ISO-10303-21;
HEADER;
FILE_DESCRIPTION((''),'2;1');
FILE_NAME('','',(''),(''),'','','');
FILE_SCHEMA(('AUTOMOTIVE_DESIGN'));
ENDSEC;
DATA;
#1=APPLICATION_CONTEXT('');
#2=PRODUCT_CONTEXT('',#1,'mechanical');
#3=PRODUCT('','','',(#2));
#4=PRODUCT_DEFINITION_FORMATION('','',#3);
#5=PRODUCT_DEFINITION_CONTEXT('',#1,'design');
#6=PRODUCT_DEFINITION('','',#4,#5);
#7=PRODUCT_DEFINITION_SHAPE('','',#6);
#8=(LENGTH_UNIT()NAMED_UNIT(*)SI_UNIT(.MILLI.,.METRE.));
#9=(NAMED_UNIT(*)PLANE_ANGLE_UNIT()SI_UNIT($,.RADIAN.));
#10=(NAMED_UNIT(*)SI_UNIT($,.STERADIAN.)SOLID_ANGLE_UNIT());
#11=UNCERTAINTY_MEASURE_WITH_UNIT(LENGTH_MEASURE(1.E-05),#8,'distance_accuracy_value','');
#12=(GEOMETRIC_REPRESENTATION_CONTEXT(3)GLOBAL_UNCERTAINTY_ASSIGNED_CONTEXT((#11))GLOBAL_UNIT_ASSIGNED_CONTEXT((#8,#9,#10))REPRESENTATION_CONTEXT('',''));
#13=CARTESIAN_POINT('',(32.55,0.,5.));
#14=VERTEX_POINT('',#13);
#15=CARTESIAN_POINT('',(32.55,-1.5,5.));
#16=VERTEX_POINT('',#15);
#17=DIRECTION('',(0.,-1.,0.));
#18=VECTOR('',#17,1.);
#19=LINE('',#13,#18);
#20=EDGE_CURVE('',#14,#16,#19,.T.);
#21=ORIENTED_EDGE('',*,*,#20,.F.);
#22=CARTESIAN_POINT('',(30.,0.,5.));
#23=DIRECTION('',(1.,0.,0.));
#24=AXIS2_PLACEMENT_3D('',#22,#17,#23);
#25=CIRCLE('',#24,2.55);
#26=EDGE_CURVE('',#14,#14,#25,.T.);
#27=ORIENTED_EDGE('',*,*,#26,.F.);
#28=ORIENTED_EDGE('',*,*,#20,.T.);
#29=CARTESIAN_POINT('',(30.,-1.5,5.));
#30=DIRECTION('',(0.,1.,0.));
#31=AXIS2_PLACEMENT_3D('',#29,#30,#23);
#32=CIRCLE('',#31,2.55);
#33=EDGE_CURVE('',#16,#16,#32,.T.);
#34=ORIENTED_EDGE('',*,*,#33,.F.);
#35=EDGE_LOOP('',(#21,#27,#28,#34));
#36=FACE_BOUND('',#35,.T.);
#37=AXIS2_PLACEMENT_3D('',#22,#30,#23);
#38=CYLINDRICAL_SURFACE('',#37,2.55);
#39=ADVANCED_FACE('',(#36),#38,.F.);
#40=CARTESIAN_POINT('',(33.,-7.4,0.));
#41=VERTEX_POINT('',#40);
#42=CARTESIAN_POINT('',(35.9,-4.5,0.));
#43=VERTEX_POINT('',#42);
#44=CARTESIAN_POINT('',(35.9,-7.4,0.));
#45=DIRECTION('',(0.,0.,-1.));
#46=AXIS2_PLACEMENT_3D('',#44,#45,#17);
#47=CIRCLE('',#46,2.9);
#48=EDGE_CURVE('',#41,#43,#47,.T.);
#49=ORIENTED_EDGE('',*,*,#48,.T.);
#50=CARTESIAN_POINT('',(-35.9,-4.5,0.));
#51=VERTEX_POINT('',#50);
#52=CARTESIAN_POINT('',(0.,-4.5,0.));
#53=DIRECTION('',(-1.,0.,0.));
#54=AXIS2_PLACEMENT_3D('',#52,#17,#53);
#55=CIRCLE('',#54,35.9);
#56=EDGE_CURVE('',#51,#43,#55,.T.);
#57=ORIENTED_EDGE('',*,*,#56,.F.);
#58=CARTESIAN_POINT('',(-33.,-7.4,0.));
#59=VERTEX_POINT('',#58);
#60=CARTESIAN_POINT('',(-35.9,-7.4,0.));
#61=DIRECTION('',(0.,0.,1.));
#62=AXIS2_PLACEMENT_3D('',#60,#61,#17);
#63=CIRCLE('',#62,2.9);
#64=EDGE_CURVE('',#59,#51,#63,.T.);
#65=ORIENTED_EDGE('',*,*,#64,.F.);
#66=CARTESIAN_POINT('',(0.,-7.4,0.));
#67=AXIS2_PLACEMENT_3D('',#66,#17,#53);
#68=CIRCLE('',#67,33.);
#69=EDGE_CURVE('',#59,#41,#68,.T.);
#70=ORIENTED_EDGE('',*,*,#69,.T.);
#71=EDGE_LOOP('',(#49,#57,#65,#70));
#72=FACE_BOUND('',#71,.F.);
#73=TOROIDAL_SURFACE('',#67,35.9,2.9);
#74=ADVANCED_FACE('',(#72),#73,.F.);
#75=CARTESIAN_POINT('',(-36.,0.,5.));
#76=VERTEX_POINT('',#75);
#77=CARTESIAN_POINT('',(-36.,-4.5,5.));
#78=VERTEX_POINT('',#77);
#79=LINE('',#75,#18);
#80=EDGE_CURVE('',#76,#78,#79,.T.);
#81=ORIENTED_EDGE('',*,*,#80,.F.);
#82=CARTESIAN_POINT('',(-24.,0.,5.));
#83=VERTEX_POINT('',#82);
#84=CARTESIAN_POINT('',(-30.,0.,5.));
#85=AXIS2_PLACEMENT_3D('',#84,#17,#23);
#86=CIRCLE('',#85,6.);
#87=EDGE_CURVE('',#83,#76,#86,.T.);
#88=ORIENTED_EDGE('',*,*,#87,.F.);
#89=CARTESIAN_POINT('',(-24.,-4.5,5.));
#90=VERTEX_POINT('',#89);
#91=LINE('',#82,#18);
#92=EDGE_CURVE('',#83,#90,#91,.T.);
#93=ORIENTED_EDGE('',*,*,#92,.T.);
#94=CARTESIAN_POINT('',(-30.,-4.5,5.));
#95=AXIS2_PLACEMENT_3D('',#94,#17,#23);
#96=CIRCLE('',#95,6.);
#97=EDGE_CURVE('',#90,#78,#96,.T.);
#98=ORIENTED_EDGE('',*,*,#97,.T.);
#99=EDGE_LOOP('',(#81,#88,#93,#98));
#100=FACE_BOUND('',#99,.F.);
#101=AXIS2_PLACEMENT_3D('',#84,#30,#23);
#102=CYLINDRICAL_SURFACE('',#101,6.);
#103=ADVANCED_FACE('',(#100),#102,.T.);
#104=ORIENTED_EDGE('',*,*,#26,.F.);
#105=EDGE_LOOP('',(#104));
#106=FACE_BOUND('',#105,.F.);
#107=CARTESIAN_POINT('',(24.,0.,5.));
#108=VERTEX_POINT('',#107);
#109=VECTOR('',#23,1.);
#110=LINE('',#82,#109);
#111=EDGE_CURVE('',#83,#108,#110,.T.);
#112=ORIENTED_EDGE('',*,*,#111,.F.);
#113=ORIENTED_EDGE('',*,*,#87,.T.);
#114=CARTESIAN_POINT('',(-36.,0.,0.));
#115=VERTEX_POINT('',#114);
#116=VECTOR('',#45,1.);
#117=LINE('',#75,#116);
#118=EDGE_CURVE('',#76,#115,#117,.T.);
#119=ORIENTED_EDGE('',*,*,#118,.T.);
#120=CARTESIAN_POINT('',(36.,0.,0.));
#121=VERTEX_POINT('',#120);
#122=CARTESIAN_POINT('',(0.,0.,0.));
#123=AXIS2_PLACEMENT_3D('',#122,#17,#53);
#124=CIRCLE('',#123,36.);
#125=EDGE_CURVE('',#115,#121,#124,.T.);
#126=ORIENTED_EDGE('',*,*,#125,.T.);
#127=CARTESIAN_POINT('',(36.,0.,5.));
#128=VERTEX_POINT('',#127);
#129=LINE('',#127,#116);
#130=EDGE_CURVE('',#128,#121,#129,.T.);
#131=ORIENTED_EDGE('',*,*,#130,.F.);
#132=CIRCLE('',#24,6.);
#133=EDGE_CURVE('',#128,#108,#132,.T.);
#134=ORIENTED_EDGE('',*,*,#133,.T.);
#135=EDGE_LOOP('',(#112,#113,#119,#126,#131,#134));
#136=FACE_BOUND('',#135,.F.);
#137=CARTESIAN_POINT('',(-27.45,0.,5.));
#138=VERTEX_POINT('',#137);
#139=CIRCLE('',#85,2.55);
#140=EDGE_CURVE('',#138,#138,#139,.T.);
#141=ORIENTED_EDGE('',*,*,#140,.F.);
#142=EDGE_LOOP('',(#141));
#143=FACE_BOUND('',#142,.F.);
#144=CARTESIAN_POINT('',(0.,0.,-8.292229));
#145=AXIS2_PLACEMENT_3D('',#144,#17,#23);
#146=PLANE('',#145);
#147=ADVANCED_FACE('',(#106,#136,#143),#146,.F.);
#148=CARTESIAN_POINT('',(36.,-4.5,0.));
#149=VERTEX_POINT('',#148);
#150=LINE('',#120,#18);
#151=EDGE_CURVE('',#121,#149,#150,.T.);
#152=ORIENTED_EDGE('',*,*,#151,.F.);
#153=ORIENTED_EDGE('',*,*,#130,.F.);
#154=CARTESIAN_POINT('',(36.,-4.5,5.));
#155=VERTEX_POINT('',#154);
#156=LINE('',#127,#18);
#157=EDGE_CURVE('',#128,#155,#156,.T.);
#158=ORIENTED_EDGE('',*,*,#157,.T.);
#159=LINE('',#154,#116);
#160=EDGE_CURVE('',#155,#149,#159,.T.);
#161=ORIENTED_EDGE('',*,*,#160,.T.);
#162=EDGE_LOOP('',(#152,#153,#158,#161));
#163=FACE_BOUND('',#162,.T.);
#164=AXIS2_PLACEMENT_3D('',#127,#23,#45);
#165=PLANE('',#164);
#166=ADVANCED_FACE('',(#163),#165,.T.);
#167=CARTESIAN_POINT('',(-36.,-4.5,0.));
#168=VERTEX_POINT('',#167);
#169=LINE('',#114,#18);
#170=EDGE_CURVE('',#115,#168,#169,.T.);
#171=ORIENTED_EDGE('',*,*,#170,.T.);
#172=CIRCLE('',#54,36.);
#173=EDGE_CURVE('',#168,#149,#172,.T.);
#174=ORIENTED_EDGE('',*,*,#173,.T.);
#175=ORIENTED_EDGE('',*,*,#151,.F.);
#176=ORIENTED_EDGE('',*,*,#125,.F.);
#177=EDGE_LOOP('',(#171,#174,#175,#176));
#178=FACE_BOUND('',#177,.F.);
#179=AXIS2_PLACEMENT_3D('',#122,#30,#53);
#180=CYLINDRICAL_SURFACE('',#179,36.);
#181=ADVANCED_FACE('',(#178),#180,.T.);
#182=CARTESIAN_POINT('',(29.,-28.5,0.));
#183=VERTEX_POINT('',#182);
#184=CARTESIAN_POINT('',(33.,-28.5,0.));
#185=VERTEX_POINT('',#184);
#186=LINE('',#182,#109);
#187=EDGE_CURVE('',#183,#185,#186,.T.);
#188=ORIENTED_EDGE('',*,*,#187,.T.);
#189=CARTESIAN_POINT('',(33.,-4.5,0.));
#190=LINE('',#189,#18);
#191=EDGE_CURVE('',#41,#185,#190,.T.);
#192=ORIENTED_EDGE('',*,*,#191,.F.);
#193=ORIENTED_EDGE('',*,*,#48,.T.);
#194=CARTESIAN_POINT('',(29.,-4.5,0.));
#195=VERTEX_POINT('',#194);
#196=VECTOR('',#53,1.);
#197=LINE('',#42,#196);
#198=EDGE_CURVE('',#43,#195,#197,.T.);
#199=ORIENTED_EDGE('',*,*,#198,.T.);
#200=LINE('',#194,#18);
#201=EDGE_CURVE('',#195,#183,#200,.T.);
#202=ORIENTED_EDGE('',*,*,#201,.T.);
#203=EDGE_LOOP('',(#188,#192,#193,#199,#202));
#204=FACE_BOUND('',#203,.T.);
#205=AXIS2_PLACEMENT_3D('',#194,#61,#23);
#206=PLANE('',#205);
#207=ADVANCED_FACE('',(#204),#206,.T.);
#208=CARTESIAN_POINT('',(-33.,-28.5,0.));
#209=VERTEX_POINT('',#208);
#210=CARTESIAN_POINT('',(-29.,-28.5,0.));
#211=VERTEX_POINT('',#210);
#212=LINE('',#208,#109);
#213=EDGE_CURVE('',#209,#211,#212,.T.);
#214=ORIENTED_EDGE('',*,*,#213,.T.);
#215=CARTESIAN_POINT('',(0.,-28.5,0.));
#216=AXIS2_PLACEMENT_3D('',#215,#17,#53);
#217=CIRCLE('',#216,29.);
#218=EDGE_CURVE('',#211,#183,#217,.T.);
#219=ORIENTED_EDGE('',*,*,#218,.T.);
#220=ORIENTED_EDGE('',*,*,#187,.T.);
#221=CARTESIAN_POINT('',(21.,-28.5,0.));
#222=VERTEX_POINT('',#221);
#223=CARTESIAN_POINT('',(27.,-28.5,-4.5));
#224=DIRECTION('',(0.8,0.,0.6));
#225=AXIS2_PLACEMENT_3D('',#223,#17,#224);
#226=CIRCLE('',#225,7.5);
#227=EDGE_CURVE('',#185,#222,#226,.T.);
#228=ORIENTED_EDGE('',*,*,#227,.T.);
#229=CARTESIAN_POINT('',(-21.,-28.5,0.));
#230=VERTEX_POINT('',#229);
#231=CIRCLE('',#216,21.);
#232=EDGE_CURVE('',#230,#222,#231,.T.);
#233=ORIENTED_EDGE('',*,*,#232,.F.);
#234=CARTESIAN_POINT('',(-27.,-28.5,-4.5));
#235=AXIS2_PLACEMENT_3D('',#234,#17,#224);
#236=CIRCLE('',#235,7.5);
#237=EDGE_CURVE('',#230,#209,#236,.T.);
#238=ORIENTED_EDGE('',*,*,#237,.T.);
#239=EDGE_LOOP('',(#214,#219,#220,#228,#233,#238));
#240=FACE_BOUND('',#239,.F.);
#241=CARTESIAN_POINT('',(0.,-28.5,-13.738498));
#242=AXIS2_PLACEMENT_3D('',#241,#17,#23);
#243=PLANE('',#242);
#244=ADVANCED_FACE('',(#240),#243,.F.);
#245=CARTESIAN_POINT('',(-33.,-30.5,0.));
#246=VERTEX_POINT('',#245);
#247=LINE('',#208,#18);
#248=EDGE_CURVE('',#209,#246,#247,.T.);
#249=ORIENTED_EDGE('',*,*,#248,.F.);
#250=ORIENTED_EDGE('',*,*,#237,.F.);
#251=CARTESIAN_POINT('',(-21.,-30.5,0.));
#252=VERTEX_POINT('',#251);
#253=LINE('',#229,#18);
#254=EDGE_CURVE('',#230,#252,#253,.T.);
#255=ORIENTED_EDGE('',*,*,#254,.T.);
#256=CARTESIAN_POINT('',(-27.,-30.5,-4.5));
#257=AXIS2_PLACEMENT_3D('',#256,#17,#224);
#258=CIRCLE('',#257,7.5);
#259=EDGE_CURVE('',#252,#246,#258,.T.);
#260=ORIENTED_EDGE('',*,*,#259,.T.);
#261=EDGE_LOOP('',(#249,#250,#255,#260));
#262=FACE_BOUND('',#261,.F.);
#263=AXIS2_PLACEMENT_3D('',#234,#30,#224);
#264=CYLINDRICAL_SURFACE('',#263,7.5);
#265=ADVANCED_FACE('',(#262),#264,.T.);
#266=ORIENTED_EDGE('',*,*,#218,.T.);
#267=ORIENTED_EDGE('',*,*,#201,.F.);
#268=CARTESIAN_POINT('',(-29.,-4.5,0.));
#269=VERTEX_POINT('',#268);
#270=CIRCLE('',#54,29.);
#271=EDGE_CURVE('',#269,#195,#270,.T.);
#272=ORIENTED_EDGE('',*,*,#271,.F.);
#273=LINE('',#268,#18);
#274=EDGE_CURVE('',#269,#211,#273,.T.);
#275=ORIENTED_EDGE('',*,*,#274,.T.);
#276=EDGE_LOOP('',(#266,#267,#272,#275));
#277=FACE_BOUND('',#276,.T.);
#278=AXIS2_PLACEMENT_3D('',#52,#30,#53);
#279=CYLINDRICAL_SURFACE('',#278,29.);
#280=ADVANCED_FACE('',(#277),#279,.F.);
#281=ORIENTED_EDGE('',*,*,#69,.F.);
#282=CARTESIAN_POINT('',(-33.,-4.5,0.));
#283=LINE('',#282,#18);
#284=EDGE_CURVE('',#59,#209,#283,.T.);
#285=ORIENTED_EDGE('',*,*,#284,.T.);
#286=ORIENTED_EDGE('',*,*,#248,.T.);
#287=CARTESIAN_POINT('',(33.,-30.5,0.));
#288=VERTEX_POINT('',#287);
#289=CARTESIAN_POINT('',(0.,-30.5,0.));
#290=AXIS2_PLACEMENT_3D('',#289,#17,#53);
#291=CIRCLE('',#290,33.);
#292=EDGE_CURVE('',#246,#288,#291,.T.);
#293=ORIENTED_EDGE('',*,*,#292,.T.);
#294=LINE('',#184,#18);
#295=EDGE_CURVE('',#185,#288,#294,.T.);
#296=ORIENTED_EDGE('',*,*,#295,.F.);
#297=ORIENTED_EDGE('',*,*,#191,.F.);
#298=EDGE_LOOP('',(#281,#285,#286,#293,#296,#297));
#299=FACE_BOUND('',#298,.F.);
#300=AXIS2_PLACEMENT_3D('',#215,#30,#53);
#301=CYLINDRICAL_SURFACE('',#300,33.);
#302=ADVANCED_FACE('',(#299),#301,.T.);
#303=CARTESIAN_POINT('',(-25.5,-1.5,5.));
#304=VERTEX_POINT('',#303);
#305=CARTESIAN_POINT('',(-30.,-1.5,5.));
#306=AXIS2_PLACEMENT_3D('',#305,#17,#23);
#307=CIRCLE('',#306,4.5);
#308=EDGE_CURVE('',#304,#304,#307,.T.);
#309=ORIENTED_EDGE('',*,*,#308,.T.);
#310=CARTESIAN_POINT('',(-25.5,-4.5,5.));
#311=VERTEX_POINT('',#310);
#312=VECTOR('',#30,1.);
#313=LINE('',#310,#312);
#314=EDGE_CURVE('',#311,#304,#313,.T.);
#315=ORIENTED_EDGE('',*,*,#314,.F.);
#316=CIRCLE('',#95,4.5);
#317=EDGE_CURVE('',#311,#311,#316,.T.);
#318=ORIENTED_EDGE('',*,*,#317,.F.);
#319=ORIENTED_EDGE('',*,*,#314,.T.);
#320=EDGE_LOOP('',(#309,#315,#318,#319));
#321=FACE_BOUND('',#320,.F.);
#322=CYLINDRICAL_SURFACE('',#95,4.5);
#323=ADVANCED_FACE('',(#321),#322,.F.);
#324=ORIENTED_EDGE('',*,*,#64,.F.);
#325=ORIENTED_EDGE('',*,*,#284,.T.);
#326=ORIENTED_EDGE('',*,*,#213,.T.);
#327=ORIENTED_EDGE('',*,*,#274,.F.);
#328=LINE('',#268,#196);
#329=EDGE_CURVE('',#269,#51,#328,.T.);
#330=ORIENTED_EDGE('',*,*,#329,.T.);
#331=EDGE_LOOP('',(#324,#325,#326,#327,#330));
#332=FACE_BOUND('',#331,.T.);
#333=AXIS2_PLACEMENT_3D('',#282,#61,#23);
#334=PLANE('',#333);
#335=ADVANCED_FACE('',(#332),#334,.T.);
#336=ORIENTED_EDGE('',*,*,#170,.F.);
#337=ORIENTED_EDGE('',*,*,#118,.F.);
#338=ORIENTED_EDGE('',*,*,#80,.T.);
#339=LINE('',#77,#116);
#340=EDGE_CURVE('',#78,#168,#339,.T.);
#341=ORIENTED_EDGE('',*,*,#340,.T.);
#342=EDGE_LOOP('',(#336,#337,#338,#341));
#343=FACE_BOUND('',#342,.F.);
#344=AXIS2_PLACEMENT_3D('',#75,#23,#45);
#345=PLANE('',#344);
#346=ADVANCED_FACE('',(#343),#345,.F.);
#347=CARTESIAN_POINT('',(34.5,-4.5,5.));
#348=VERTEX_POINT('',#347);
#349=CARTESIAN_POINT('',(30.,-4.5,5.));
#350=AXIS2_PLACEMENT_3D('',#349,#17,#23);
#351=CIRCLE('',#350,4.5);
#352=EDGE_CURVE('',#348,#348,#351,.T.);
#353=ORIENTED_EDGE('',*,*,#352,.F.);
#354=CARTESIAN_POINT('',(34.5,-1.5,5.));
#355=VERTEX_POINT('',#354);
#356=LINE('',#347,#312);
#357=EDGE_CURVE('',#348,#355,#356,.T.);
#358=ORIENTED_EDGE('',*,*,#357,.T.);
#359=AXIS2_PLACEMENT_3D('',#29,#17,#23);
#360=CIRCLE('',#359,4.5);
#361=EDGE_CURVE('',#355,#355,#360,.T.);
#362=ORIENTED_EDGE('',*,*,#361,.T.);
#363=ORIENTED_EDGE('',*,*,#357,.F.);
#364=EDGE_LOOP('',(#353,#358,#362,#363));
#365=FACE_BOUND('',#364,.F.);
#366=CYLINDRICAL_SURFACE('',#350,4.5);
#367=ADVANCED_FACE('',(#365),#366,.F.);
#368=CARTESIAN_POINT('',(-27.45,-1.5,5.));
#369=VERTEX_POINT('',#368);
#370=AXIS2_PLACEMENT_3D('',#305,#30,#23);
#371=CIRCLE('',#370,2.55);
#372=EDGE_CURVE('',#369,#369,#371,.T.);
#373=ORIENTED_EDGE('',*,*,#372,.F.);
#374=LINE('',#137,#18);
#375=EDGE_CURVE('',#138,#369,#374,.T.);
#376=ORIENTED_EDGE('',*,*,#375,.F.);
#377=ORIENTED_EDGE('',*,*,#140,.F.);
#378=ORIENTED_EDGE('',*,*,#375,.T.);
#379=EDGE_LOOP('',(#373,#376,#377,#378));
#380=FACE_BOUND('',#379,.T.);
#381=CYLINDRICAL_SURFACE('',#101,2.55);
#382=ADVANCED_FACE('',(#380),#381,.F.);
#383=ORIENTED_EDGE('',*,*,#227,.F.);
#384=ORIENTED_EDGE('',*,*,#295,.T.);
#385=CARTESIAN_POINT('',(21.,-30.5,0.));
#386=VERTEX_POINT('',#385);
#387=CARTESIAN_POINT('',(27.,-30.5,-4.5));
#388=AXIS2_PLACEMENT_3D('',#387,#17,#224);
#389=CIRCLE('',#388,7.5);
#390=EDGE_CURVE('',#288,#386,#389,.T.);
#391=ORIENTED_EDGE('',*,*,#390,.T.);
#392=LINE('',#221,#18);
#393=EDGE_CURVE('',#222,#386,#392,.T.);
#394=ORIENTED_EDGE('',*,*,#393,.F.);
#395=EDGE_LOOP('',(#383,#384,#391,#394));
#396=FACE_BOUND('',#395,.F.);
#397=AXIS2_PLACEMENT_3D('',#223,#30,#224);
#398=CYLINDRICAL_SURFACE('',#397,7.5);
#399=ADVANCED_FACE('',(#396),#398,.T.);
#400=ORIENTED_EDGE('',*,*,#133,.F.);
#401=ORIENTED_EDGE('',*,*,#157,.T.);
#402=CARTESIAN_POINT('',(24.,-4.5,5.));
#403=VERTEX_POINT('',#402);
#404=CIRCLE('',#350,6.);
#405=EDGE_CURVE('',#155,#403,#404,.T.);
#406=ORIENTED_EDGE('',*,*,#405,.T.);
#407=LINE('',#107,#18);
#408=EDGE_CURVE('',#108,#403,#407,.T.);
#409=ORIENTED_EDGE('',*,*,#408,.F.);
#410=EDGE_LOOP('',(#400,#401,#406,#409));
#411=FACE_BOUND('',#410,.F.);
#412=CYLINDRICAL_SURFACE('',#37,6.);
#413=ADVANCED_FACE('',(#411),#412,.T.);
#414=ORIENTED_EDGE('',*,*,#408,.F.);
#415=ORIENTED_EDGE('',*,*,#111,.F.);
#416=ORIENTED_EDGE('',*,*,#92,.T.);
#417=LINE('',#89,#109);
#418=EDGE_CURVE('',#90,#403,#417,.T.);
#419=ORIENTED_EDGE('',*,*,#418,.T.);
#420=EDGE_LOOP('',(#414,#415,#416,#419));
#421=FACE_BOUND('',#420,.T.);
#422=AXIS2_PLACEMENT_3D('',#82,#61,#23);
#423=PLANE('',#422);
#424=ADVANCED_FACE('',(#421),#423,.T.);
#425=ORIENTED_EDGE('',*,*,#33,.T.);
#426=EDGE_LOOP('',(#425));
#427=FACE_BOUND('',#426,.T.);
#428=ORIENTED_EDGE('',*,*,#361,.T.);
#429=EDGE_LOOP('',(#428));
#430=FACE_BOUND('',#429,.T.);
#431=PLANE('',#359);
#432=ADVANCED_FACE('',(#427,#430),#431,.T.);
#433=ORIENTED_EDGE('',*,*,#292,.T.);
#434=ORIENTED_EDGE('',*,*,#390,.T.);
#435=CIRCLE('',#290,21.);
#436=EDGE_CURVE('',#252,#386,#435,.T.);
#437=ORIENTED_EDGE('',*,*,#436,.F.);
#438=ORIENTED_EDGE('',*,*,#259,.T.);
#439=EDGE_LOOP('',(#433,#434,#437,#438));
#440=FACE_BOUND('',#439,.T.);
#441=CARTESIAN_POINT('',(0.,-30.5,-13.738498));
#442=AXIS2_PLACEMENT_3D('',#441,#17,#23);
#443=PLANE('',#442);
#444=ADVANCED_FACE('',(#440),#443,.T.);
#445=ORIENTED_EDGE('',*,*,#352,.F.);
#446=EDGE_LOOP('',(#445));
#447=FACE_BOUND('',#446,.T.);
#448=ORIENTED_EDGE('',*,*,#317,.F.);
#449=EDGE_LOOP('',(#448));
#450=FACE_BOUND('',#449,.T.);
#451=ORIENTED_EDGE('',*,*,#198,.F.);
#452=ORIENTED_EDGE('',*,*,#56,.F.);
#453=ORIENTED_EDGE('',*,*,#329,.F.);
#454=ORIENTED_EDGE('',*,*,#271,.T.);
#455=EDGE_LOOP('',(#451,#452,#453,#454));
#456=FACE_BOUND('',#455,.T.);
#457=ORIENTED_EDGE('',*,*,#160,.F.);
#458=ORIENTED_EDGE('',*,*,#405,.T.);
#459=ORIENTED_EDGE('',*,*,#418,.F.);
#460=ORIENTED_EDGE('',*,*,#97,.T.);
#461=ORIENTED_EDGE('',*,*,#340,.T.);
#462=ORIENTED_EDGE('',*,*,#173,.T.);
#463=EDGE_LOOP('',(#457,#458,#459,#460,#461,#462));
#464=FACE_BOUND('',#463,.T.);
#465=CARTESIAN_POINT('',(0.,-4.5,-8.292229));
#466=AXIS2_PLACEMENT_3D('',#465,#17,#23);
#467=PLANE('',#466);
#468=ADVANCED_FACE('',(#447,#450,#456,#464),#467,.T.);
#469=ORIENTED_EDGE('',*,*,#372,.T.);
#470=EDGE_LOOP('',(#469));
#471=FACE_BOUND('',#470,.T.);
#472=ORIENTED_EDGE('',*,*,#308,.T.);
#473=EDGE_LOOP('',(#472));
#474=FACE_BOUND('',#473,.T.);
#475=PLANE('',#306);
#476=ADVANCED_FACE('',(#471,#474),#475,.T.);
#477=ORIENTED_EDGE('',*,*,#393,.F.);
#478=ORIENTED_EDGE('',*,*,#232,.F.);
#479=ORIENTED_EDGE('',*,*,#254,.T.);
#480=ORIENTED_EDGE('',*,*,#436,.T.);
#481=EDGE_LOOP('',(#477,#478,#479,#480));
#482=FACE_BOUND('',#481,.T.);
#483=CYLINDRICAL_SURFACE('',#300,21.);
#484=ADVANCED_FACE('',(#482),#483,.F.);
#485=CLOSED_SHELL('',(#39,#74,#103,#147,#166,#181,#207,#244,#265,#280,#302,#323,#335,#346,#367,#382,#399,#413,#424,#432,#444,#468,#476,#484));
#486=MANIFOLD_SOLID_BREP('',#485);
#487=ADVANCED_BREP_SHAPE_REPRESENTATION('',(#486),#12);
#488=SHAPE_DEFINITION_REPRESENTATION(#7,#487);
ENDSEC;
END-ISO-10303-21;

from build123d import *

# Parameters (mm, degrees)
SKETCH_R     = 2.55
PAD_DEPTH    = 4.5
PAD001_DEPTH = 24
PAD002_DEPTH = 2
SKETCH004_R  = 4.5
POCKET_DEPTH = 3
FILLET_R     = 2.9


with BuildPart() as part:
    # Sketch → Pad (new body)
    with BuildSketch(Plane.XZ):
        with BuildLine():
            Line((-36, 5), (-36, 0))
            ThreePointArc((-36, 0), (0, -36), (36, 0))
            Line((36, 5), (36, 0))
            ThreePointArc((36, 5), (30, 11), (24, 5))
            Line((-24, 5), (24, 5))
            ThreePointArc((-24, 5), (-30, 11), (-36, 5))
        make_face()
        with Locations((-30, 5)):
            Circle(SKETCH_R, mode=Mode.SUBTRACT)
        with Locations((30, 5)):
            Circle(SKETCH_R, mode=Mode.SUBTRACT)
    extrude(amount=PAD_DEPTH)

    # Sketch002 (on Face10 of Pad) → Pad001 (join)
    with BuildSketch(Plane.XZ.offset(4.5)):
        with BuildLine():
            ThreePointArc((-33, 0), (0, -33), (33, 0))
            Line((29, 0), (33, 0))
            ThreePointArc((-29, 0), (0, -29), (29, 0))
            Line((-33, 0), (-29, 0))
        make_face()
    extrude(amount=PAD001_DEPTH)

    # Sketch003 (on Face15 of Pad001) → Pad002 (join)
    with BuildSketch(Plane.XZ.offset(28.5)):
        with BuildLine():
            ThreePointArc((-33, 0), (0, -33), (33, 0))
            ThreePointArc((33, 0), (27, 3), (21, 0))
            ThreePointArc((-21, 0), (0, -21), (21, 0))
            ThreePointArc((-21, 0), (-27, 3), (-33, 0))
        make_face()
    extrude(amount=PAD002_DEPTH)

    # Sketch004 (on Face10 of Pad) → Pocket (cut)
    with BuildSketch(Plane.XZ.offset(4.5)):
        with Locations((-30, 5)):
            Circle(SKETCH004_R)
        with Locations((30, 5)):
            Circle(SKETCH004_R)
    extrude(amount=-POCKET_DEPTH, mode=Mode.SUBTRACT)

    # Fillet
    fillet_edges = [part.edges().sort_by_distance(p)[0] for p in [
        (0, -4.5, -33),
    ]]
    fillet(fillet_edges, radius=FILLET_R)


solid = part.part
